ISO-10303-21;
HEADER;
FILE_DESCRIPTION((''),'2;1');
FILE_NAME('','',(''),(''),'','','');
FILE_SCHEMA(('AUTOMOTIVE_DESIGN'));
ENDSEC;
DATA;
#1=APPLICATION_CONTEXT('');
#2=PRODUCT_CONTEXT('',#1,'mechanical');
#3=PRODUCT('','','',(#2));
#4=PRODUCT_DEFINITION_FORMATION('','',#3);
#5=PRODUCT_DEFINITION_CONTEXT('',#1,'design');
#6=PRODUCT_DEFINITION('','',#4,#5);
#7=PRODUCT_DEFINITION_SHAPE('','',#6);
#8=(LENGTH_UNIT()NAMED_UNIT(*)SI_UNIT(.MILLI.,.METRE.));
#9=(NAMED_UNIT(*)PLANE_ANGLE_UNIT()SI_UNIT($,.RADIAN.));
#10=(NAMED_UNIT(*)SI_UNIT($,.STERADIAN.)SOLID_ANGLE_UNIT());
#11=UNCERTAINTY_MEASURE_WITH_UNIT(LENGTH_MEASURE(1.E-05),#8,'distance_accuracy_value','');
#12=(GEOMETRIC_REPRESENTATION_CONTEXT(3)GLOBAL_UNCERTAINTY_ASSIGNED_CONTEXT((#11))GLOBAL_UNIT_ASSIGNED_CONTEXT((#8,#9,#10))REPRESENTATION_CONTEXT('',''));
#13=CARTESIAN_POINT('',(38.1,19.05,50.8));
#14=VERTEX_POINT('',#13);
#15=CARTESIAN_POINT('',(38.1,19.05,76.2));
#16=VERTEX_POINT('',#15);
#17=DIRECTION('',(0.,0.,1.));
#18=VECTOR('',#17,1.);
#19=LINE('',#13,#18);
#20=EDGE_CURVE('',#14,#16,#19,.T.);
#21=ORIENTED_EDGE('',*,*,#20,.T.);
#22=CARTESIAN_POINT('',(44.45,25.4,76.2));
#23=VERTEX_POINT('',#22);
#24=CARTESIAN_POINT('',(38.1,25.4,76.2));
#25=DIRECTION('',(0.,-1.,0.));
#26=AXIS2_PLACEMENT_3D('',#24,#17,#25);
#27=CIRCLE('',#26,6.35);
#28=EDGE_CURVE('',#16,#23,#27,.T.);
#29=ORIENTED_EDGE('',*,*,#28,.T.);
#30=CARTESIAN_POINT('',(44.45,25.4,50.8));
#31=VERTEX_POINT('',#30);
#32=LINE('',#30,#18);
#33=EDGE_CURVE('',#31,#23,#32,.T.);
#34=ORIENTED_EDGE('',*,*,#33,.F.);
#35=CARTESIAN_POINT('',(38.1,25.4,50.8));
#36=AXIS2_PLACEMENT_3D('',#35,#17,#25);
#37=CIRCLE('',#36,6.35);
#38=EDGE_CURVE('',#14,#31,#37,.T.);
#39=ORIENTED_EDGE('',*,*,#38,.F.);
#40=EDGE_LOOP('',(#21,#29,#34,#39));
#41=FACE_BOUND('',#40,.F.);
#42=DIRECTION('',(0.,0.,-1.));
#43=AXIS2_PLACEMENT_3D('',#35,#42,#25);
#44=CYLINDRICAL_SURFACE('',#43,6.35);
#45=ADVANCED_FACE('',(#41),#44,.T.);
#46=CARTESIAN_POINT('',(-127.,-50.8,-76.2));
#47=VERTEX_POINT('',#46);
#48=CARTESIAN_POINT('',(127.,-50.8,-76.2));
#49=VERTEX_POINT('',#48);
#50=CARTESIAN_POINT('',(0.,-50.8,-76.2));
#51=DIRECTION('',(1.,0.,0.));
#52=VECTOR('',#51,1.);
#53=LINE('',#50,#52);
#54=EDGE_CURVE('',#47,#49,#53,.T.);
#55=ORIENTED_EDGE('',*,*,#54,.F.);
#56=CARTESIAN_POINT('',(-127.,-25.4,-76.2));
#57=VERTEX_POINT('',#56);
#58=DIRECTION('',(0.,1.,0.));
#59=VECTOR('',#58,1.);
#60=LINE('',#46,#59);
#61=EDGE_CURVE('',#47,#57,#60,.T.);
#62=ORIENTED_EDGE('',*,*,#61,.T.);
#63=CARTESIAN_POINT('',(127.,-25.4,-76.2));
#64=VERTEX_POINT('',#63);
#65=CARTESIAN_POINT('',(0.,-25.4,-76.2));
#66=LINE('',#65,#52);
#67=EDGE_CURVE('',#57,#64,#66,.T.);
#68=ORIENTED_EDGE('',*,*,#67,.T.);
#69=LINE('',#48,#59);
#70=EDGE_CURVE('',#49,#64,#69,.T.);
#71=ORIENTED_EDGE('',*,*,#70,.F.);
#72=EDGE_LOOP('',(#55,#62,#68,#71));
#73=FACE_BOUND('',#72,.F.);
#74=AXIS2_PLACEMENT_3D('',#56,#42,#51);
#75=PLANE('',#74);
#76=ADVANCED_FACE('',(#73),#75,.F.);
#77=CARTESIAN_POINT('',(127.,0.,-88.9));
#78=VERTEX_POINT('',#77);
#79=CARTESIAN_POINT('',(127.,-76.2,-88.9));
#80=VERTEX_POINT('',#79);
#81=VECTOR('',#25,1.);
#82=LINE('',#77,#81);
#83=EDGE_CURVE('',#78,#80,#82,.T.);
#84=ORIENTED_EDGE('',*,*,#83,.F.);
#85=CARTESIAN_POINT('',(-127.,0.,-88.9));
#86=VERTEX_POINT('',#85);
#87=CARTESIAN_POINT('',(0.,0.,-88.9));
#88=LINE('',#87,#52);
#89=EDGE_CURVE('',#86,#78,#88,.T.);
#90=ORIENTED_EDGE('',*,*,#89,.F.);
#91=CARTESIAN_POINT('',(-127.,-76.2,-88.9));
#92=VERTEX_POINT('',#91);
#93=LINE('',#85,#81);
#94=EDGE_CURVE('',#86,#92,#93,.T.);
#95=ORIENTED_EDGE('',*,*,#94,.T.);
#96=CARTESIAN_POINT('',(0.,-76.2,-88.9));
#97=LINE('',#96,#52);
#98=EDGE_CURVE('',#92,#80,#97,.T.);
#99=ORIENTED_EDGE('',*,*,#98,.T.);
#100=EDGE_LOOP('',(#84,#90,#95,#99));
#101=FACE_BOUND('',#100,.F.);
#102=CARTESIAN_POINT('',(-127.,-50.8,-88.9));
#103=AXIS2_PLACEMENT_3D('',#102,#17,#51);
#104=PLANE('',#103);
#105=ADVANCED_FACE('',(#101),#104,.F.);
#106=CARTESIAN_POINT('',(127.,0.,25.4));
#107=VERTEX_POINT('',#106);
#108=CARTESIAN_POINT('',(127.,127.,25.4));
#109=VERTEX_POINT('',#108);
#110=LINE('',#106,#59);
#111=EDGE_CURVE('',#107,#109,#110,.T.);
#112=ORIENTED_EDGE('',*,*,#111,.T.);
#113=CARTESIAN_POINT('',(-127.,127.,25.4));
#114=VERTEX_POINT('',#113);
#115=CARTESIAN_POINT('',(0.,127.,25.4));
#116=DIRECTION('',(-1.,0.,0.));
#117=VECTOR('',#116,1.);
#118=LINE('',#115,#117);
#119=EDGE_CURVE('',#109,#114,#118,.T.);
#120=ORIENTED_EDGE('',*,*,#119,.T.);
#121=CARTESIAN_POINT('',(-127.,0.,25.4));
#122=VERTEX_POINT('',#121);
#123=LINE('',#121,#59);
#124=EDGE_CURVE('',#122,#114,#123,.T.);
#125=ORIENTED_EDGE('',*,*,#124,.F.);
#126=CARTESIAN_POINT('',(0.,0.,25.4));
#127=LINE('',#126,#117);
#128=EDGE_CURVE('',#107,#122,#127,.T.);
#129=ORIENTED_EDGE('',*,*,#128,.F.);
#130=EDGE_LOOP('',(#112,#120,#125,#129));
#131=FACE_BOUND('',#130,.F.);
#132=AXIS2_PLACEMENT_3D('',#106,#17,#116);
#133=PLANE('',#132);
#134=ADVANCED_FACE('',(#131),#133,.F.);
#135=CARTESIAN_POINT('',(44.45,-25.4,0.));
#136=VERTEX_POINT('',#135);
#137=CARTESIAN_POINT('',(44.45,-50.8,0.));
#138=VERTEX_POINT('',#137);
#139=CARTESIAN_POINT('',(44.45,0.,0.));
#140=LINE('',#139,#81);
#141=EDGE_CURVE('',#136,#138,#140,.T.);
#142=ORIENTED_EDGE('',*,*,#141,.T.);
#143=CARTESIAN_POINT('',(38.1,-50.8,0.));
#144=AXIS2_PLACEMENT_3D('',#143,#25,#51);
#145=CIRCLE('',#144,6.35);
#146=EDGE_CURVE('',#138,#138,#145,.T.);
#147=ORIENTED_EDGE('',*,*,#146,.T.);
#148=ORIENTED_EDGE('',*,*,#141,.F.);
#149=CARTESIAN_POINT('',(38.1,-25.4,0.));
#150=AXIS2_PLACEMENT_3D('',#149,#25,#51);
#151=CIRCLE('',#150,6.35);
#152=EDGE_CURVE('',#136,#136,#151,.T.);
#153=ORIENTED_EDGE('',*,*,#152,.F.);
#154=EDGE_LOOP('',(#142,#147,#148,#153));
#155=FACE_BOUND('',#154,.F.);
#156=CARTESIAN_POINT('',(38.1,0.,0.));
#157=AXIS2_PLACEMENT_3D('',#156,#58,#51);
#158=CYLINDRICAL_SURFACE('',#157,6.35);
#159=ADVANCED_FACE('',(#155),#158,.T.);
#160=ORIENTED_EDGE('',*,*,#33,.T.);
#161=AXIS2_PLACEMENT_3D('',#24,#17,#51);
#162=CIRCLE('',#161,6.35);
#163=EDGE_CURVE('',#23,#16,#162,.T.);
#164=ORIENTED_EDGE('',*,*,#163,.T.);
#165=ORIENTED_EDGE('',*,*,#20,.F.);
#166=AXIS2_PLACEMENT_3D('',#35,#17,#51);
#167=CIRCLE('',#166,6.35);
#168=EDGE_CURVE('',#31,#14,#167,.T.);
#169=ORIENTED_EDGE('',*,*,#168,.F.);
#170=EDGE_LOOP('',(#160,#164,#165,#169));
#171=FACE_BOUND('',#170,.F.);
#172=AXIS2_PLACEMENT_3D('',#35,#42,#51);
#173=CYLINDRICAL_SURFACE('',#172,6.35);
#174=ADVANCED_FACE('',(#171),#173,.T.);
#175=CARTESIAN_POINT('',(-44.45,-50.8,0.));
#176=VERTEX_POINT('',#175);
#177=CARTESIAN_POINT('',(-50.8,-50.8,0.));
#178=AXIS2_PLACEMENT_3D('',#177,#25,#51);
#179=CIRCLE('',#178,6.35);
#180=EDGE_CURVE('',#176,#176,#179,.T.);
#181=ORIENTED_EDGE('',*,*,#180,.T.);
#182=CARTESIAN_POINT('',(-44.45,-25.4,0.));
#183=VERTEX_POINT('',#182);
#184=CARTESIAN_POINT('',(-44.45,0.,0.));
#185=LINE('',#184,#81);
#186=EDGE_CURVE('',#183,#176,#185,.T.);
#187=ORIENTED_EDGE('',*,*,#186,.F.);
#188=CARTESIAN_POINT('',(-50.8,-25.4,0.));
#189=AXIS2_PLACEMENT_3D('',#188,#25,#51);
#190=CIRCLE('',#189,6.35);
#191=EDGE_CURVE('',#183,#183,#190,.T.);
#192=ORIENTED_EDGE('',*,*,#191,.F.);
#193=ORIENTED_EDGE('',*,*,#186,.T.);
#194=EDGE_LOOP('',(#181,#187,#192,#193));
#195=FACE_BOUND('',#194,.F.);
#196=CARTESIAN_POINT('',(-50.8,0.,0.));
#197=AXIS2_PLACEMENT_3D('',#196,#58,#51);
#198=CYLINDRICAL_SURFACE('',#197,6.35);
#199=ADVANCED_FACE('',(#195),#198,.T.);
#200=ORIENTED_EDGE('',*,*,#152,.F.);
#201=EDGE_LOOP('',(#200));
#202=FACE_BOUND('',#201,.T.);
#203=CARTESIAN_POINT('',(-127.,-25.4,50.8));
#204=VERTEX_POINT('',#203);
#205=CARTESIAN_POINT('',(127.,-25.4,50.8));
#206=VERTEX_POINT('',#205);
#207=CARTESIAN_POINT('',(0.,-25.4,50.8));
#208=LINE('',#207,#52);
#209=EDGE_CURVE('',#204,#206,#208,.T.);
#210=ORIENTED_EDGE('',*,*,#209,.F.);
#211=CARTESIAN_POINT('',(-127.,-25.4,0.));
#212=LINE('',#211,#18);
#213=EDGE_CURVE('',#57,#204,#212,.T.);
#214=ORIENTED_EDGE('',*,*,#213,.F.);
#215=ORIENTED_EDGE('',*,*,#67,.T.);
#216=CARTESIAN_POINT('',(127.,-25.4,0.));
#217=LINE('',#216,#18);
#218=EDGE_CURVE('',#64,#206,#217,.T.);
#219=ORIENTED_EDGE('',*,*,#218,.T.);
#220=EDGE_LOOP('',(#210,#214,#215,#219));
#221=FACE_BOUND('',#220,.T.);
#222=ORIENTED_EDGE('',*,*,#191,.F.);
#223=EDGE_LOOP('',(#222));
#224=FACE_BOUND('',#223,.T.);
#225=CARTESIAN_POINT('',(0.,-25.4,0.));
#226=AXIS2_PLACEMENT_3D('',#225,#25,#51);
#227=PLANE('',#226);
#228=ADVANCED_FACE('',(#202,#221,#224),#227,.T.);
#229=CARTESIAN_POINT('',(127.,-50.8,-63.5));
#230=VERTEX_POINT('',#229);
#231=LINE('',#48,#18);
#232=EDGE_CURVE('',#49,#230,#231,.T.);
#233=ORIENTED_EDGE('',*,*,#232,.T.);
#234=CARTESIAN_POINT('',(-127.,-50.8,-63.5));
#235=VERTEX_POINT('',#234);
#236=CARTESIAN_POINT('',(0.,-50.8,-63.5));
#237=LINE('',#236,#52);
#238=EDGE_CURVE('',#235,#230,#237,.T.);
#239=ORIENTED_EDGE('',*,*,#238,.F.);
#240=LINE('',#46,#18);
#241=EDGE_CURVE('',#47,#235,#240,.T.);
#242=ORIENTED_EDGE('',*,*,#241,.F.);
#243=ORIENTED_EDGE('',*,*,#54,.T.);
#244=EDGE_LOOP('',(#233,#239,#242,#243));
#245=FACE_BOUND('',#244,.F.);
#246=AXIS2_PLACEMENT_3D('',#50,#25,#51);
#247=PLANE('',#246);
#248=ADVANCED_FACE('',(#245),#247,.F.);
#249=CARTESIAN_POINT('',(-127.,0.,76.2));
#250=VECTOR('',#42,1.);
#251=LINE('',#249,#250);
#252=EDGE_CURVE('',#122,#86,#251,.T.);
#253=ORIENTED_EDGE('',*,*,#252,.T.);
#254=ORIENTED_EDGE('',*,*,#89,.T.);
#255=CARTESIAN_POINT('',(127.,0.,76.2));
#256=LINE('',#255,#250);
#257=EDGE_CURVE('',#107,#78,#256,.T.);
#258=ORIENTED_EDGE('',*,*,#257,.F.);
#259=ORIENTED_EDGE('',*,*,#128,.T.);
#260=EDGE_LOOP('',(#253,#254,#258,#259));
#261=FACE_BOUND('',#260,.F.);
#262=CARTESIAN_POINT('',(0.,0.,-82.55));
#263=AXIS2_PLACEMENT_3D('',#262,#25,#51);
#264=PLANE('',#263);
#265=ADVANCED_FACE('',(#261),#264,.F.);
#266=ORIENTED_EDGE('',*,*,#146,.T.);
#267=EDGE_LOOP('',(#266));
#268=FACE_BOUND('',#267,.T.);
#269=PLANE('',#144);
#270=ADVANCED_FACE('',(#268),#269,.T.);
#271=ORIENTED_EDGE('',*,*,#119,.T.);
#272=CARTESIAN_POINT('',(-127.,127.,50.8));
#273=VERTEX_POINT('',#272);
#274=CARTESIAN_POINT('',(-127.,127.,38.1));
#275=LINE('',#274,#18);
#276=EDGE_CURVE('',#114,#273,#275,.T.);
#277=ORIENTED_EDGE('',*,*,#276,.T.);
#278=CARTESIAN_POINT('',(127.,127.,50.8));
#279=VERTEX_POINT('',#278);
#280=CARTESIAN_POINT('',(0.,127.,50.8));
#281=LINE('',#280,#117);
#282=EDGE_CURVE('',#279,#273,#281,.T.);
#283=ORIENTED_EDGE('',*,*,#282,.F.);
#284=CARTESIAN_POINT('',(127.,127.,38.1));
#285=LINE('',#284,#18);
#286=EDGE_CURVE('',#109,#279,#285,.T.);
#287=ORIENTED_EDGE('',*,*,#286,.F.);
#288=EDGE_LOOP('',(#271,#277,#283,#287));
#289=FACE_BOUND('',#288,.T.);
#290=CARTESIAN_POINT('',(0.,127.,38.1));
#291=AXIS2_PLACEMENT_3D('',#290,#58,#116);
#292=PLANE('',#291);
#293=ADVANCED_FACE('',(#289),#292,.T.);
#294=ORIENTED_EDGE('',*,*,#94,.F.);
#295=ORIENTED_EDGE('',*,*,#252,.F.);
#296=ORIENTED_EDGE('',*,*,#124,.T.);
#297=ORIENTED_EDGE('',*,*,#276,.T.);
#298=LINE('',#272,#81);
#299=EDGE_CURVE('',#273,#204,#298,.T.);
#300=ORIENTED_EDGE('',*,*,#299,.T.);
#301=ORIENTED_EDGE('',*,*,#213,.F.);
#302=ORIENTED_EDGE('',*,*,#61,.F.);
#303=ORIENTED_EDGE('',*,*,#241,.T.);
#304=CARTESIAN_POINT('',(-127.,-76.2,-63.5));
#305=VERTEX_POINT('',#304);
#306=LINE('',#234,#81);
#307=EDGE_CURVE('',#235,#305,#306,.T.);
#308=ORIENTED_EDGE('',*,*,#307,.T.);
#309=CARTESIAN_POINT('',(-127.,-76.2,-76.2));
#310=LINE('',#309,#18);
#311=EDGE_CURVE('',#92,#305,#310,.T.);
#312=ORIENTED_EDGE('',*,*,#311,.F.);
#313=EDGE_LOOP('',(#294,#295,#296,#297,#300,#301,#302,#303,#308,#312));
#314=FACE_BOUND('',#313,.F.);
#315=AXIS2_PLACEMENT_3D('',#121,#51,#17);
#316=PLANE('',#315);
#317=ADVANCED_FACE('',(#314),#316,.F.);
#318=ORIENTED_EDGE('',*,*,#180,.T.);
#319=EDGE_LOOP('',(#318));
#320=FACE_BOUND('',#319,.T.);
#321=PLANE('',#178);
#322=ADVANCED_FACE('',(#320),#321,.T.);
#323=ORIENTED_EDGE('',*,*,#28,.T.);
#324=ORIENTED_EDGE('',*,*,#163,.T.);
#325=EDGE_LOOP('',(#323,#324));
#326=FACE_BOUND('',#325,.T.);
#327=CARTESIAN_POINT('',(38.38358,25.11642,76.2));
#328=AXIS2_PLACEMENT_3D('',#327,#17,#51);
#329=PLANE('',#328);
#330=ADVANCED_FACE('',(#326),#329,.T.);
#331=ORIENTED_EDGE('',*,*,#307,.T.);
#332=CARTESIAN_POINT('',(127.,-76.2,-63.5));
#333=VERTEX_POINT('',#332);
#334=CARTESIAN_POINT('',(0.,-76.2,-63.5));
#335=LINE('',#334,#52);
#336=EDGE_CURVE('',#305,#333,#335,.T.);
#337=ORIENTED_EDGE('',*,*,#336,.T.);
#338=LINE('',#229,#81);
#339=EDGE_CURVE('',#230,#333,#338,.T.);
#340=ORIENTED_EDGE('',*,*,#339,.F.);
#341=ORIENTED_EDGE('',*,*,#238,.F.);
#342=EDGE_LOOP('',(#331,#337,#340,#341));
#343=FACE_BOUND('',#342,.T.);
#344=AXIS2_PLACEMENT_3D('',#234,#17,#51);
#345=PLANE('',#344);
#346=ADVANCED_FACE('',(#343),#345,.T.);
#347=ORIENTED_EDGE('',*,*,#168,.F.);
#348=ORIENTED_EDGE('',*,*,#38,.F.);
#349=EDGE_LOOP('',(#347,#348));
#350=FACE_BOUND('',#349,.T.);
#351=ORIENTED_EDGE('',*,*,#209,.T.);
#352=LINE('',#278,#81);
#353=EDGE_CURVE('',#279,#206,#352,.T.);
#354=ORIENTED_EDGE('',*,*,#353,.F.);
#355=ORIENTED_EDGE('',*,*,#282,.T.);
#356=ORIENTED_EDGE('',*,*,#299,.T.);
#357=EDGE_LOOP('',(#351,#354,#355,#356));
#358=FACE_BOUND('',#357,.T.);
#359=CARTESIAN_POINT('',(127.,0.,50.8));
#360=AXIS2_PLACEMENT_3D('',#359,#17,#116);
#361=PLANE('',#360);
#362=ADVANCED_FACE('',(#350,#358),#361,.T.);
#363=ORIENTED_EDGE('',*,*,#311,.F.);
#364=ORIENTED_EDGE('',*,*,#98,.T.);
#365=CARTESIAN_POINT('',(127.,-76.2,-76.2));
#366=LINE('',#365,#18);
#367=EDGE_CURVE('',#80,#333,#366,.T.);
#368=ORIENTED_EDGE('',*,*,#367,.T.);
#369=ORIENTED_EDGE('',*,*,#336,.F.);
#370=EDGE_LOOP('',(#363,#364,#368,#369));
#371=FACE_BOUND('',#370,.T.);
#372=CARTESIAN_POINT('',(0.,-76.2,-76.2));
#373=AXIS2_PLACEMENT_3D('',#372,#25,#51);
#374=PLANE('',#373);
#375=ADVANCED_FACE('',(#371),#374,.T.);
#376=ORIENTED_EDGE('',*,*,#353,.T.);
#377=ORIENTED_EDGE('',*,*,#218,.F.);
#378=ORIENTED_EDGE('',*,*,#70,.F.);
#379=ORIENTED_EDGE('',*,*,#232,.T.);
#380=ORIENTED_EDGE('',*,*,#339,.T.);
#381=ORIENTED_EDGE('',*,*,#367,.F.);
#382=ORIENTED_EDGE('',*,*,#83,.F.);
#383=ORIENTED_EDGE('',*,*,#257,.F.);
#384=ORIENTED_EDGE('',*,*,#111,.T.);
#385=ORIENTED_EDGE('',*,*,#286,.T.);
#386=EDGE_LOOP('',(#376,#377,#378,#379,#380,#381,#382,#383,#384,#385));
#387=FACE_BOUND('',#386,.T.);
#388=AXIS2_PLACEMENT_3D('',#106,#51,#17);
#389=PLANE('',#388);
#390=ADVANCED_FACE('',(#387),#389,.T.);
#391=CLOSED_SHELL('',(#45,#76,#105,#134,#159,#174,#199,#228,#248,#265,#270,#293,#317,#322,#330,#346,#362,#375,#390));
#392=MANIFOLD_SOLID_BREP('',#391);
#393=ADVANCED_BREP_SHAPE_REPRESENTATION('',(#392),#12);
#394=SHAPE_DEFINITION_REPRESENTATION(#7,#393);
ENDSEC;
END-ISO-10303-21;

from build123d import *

# Parameters (mm, degrees)
F0_W      = 254
F0_H      = 152.4
F0_R      = 6.35
F1_DEPTH  = 25.4
F2_DEPTH  = 50.8
F3_W      = 254
F3_H      = 12.7
F4_DEPTH  = 25.4
F5_W      = 254
F5_H      = 25.4
F6_DEPTH  = 25.4
F7_W      = 254
F7_H      = 25.4
F8_DEPTH  = 25.4
F9_W      = 254
F9_H      = 25.4
F10_DEPTH = 127
F12_DEPTH = 25.4


with BuildPart() as f1:
    # F0 (on Front) → F1 (new body)
    with BuildSketch(Plane.XZ):
        Rectangle(F0_W, F0_H)
        with Locations((-50.8, 0)):
            Circle(F0_R, mode=Mode.SUBTRACT)
        with Locations((38.1, 0)):
            Circle(F0_R, mode=Mode.SUBTRACT)
    extrude(amount=F1_DEPTH)

    # F0 (on Front) → F2 (join)
    with BuildSketch(Plane.XZ):
        with Locations((38.1, 0)):
            Circle(F0_R)
        with Locations((-50.8, 0)):
            Circle(F0_R)
    extrude(amount=F2_DEPTH)

    # F3 (on face) → F4 (join, symmetric)
    with BuildSketch(Plane.XZ.offset(25.4)):
        with Locations((0, -82.55)):
            Rectangle(F3_W, F3_H)
    extrude(amount=F4_DEPTH, both=True)

    # F5 (on face) → F6 (join)
    with BuildSketch(Plane.XZ.offset(50.8)):
        with Locations((0, -76.2)):
            Rectangle(F5_W, F5_H)
    extrude(amount=F6_DEPTH)

    # F7 (on face) → F8 (cut)
    with BuildSketch(Plane.XY.offset(76.2)):
        with Locations((0, -12.7)):
            Rectangle(F7_W, F7_H)
    extrude(amount=-F8_DEPTH, mode=Mode.SUBTRACT)

    # F9 (on face) → F10 (join)
    with BuildSketch(Plane(origin=(0, 0, 0), x_dir=(-1, 0, 0), z_dir=(0, 1, 0))):
        with Locations((0, 38.1)):
            Rectangle(F9_W, F9_H)
    extrude(amount=F10_DEPTH)

    # F11 (on face) → F12 (join)
    with BuildSketch(Plane.XY.offset(50.8)):
        with BuildLine():
            ThreePointArc((44.45, 25.4), (33.6098719395, 29.8901280605), (38.1, 19.05))
            ThreePointArc((38.1, 19.05), (42.5901280605, 20.9098719395), (44.45, 25.4))
        make_face()
    extrude(amount=F12_DEPTH)


solid = f1.part
